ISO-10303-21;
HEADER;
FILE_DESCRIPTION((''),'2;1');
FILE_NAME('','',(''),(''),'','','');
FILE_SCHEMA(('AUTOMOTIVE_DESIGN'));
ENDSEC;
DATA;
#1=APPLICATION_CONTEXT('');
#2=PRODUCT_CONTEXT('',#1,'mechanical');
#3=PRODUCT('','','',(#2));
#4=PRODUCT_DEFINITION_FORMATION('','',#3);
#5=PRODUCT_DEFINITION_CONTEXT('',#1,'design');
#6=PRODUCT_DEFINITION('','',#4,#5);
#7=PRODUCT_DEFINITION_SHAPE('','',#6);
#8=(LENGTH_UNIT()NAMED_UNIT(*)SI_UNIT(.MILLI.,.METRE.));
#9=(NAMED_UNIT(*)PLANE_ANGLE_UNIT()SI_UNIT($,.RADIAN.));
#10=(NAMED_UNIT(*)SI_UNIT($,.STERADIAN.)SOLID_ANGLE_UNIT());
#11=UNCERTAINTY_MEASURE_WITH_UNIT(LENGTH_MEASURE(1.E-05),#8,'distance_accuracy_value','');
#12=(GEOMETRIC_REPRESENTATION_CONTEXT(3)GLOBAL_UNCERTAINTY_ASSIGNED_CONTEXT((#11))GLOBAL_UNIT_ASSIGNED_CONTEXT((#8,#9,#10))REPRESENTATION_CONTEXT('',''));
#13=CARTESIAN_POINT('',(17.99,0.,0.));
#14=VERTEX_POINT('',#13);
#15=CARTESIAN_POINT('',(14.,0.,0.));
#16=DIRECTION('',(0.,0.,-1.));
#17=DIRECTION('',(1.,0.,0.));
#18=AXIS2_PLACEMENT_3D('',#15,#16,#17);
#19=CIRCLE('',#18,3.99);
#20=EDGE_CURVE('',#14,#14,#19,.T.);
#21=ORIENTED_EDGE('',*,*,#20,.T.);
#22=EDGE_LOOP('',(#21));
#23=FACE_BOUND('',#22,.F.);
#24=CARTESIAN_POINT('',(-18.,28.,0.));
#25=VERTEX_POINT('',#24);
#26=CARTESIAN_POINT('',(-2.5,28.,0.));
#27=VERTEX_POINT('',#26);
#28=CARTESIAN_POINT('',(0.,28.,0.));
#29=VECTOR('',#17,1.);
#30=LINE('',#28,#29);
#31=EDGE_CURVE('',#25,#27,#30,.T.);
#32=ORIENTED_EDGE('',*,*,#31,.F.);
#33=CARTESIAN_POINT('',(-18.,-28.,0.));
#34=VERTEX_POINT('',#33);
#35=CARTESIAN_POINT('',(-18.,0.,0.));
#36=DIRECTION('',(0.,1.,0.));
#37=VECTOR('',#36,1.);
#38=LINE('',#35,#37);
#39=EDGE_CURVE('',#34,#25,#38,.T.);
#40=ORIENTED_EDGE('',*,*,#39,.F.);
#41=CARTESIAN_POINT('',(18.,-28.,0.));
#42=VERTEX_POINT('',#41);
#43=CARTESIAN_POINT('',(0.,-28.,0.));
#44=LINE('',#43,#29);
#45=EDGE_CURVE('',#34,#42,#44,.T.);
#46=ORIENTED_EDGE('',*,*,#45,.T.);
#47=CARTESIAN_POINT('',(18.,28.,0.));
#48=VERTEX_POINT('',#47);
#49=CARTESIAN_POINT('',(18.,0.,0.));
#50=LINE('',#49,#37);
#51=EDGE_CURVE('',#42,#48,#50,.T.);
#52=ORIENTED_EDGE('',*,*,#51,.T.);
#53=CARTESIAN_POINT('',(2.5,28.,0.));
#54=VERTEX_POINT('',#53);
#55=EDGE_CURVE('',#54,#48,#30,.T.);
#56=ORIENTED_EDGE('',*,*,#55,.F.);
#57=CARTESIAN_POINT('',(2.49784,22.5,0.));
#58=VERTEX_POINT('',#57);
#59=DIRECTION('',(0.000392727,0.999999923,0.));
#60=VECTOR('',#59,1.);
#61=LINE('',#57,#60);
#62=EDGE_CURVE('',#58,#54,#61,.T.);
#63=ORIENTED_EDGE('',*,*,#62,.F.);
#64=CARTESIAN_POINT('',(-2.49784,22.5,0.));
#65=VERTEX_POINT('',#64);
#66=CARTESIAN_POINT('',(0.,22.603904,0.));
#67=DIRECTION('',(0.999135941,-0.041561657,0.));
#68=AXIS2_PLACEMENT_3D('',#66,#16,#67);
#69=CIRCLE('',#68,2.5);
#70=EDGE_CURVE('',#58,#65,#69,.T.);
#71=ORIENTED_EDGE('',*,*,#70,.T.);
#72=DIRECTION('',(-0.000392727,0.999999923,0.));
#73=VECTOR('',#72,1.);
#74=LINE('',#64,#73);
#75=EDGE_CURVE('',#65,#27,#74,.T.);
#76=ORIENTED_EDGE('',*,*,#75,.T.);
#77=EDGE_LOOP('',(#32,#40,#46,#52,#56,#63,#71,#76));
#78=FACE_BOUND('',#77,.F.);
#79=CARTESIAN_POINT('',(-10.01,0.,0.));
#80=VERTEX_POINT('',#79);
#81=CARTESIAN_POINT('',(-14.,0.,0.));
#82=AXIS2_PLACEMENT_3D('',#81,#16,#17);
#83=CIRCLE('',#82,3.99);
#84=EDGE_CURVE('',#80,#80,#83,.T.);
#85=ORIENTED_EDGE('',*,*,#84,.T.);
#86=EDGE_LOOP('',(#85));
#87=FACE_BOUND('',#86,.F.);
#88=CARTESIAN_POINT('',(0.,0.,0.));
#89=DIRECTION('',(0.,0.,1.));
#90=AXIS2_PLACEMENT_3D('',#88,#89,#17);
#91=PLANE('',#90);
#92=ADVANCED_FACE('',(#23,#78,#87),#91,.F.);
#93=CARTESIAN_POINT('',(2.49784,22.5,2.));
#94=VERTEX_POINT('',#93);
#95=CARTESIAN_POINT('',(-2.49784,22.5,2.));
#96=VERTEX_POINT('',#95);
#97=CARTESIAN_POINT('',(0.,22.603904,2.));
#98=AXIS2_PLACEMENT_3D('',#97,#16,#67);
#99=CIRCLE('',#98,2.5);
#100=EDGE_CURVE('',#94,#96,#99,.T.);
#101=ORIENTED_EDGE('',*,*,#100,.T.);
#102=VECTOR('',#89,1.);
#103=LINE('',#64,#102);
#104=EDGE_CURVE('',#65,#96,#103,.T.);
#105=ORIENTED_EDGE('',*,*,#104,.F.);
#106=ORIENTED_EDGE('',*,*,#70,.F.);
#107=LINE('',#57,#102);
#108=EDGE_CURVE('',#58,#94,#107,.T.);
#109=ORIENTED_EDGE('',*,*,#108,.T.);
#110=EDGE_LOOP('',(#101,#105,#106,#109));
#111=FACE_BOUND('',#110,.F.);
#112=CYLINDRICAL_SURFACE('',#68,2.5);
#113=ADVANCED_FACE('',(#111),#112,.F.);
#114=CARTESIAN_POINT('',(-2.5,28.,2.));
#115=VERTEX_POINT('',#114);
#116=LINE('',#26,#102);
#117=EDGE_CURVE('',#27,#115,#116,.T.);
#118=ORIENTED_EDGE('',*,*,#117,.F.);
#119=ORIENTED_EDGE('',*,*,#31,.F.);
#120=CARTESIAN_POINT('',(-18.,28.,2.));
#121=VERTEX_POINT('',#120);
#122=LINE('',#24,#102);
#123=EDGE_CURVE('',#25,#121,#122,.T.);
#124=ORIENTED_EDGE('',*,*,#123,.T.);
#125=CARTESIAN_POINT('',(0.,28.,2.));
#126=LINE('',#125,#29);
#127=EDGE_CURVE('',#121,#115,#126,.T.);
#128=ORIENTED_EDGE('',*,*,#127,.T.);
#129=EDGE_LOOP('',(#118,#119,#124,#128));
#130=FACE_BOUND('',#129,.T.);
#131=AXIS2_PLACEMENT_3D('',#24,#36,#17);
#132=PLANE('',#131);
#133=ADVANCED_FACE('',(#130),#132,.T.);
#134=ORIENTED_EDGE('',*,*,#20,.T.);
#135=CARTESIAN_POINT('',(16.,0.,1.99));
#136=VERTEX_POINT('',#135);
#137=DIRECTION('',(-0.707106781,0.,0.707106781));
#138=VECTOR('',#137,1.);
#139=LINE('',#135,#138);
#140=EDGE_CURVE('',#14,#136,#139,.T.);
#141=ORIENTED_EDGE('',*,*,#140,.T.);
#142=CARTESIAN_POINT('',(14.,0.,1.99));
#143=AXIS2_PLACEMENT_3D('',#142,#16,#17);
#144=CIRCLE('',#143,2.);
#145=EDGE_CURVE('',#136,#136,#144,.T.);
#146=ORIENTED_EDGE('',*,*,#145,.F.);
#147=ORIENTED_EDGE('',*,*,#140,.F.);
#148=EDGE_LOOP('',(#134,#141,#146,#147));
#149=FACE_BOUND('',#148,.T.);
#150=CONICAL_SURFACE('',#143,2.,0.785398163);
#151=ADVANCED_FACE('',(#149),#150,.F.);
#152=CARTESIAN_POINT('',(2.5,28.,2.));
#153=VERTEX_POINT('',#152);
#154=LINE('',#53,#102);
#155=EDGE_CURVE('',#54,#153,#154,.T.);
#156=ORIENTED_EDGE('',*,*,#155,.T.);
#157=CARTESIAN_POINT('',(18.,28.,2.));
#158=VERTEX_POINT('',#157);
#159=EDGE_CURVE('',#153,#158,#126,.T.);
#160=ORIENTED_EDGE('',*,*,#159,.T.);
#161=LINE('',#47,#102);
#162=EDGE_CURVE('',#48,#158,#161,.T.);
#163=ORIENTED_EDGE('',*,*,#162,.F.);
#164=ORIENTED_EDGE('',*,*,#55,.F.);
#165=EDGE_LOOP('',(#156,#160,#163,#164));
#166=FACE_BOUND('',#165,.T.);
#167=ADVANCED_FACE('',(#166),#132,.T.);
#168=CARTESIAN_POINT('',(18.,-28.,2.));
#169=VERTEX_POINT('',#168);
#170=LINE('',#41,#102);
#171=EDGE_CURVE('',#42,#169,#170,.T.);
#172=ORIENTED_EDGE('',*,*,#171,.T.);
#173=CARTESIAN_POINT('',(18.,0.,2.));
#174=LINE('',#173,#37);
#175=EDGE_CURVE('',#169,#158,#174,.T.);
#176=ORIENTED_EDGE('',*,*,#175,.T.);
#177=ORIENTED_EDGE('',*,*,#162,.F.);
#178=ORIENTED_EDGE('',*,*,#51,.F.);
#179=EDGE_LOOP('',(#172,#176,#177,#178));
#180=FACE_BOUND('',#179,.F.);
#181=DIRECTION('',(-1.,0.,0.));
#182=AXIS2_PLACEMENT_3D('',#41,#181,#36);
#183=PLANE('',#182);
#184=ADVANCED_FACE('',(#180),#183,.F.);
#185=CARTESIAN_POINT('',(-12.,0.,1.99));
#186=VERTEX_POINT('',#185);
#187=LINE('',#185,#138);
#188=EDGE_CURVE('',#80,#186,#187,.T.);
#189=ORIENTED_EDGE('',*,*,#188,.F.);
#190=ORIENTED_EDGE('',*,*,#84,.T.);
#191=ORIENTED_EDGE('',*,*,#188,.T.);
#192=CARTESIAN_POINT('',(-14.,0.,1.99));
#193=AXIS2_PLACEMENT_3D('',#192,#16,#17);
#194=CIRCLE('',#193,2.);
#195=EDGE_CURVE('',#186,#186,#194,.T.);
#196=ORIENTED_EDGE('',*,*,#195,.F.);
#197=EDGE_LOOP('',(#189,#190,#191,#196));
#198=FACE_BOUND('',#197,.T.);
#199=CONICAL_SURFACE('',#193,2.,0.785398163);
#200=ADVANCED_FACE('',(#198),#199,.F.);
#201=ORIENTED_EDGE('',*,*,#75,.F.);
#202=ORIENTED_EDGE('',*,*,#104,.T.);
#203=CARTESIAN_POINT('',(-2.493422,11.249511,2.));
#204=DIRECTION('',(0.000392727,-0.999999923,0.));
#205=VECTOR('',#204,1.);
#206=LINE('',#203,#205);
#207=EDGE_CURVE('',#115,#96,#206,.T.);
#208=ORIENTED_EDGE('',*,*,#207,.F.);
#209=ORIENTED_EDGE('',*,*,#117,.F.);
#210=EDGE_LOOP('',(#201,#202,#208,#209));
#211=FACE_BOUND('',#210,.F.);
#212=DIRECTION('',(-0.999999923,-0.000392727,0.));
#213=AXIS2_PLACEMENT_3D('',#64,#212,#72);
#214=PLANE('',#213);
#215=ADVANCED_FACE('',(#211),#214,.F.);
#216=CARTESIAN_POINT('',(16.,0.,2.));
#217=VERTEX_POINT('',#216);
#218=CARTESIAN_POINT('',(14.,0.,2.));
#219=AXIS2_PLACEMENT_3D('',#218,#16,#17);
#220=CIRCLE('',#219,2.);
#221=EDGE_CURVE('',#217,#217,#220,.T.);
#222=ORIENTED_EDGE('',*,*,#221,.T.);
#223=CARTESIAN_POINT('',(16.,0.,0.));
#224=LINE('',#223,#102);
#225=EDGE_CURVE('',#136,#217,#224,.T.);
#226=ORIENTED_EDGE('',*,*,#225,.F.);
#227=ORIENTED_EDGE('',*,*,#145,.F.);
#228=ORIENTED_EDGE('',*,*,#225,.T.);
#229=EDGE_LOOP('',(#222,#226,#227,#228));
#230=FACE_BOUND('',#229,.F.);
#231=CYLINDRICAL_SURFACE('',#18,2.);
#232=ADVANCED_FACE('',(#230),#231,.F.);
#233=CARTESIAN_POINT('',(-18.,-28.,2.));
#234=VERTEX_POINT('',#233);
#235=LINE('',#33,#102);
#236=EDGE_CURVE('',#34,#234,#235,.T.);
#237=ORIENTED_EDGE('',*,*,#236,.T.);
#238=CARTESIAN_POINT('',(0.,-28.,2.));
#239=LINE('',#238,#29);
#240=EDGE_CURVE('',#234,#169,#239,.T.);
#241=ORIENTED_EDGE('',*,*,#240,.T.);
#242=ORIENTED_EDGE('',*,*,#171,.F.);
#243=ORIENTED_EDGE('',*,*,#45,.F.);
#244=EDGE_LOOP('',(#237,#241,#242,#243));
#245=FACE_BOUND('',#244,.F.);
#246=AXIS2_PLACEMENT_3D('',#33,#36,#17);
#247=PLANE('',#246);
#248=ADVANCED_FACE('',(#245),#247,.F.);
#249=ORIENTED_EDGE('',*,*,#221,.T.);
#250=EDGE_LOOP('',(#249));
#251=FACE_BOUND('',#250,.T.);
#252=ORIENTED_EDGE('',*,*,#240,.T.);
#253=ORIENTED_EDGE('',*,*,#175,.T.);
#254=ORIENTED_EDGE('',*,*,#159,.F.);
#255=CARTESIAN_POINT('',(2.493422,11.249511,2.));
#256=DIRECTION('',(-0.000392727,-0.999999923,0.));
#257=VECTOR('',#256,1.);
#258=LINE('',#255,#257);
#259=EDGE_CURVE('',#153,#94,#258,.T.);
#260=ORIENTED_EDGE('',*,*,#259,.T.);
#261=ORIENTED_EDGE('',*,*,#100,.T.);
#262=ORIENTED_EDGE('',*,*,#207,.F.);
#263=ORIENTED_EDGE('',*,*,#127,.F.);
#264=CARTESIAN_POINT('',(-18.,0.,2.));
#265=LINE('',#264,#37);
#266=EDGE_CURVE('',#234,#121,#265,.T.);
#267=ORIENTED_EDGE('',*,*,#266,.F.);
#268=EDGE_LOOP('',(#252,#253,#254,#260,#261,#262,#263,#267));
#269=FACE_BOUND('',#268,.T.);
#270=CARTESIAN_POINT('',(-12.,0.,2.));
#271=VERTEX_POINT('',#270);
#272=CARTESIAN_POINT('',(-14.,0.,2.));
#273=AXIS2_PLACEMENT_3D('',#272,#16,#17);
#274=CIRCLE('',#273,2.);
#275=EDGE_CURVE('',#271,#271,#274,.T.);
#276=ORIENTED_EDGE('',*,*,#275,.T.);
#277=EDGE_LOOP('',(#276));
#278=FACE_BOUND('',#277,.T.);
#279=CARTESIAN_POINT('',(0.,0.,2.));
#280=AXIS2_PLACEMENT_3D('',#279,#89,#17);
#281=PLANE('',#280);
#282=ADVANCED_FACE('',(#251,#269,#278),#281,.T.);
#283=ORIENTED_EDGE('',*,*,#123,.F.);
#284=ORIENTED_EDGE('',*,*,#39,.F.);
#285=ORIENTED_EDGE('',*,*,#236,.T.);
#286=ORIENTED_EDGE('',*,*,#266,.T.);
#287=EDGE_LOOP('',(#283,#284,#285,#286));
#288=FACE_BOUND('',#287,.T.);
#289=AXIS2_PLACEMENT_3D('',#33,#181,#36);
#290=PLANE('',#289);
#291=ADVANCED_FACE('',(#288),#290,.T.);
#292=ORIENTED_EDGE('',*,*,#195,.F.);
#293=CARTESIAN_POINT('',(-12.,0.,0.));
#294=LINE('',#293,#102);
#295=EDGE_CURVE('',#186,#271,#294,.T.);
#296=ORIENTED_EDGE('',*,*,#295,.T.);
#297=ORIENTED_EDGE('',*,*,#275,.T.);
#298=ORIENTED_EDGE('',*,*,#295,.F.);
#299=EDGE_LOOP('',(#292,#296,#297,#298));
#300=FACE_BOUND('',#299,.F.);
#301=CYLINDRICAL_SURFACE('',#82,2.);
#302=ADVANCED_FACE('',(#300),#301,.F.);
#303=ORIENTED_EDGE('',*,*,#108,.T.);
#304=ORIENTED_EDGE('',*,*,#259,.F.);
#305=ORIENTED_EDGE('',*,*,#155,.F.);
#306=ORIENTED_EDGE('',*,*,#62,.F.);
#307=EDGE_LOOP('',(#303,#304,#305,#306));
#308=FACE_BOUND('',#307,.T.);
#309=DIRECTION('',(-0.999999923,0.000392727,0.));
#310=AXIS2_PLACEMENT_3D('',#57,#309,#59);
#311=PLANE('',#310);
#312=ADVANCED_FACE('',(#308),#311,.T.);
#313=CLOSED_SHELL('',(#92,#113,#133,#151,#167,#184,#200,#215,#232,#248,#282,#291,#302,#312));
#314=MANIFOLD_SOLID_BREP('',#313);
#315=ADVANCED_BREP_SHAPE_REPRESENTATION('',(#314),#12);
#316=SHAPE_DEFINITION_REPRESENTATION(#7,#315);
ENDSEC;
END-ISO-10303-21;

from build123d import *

# Parameters (mm, degrees)
SKETCH_W        = 36
SKETCH_H        = 56
PAD_DEPTH       = 2
SKETCH001_R     = 2
POCKET_DEPTH    = 3
CHAMFER_SIZE    = 1.99
POCKET001_DEPTH = 3


with BuildPart() as part:
    # Sketch → Pad (new body)
    with BuildSketch(Plane.XY):
        Rectangle(SKETCH_W, SKETCH_H)
    extrude(amount=PAD_DEPTH)

    # Sketch001 (on Face5 of Pad) → Pocket (cut)
    with BuildSketch(Plane(origin=(0, 0, 0), x_dir=(1, 0, 0), z_dir=(0, 0, -1))):
        with Locations((14, 0)):
            Circle(SKETCH001_R)
        with Locations((-14, 0)):
            Circle(SKETCH001_R)
    extrude(amount=-POCKET_DEPTH, mode=Mode.SUBTRACT)

    # Chamfer
    chamfer_edges = [part.edges().sort_by_distance(p)[0] for p in [
        (-16, 0, 0),
        (12, 0, 0),
    ]]
    chamfer(chamfer_edges, length=CHAMFER_SIZE)

    # Sketch002 (on Face1 of Chamfer) → Pocket001 (cut)
    with BuildSketch(Plane(origin=(0, 0, 0), x_dir=(1, 0, 0), z_dir=(0, 0, -1))):
        with BuildLine():
            ThreePointArc((2.49784, -22.5), (0, -20.103904), (-2.49784, -22.5))
            Line((-2.49784, -22.5), (-2.5, -28))
            Line((-2.5, -28), (2.5, -28))
            Line((2.49784, -22.5), (2.5, -28))
        make_face()
    extrude(amount=-POCKET001_DEPTH, mode=Mode.SUBTRACT)


solid = part.part
